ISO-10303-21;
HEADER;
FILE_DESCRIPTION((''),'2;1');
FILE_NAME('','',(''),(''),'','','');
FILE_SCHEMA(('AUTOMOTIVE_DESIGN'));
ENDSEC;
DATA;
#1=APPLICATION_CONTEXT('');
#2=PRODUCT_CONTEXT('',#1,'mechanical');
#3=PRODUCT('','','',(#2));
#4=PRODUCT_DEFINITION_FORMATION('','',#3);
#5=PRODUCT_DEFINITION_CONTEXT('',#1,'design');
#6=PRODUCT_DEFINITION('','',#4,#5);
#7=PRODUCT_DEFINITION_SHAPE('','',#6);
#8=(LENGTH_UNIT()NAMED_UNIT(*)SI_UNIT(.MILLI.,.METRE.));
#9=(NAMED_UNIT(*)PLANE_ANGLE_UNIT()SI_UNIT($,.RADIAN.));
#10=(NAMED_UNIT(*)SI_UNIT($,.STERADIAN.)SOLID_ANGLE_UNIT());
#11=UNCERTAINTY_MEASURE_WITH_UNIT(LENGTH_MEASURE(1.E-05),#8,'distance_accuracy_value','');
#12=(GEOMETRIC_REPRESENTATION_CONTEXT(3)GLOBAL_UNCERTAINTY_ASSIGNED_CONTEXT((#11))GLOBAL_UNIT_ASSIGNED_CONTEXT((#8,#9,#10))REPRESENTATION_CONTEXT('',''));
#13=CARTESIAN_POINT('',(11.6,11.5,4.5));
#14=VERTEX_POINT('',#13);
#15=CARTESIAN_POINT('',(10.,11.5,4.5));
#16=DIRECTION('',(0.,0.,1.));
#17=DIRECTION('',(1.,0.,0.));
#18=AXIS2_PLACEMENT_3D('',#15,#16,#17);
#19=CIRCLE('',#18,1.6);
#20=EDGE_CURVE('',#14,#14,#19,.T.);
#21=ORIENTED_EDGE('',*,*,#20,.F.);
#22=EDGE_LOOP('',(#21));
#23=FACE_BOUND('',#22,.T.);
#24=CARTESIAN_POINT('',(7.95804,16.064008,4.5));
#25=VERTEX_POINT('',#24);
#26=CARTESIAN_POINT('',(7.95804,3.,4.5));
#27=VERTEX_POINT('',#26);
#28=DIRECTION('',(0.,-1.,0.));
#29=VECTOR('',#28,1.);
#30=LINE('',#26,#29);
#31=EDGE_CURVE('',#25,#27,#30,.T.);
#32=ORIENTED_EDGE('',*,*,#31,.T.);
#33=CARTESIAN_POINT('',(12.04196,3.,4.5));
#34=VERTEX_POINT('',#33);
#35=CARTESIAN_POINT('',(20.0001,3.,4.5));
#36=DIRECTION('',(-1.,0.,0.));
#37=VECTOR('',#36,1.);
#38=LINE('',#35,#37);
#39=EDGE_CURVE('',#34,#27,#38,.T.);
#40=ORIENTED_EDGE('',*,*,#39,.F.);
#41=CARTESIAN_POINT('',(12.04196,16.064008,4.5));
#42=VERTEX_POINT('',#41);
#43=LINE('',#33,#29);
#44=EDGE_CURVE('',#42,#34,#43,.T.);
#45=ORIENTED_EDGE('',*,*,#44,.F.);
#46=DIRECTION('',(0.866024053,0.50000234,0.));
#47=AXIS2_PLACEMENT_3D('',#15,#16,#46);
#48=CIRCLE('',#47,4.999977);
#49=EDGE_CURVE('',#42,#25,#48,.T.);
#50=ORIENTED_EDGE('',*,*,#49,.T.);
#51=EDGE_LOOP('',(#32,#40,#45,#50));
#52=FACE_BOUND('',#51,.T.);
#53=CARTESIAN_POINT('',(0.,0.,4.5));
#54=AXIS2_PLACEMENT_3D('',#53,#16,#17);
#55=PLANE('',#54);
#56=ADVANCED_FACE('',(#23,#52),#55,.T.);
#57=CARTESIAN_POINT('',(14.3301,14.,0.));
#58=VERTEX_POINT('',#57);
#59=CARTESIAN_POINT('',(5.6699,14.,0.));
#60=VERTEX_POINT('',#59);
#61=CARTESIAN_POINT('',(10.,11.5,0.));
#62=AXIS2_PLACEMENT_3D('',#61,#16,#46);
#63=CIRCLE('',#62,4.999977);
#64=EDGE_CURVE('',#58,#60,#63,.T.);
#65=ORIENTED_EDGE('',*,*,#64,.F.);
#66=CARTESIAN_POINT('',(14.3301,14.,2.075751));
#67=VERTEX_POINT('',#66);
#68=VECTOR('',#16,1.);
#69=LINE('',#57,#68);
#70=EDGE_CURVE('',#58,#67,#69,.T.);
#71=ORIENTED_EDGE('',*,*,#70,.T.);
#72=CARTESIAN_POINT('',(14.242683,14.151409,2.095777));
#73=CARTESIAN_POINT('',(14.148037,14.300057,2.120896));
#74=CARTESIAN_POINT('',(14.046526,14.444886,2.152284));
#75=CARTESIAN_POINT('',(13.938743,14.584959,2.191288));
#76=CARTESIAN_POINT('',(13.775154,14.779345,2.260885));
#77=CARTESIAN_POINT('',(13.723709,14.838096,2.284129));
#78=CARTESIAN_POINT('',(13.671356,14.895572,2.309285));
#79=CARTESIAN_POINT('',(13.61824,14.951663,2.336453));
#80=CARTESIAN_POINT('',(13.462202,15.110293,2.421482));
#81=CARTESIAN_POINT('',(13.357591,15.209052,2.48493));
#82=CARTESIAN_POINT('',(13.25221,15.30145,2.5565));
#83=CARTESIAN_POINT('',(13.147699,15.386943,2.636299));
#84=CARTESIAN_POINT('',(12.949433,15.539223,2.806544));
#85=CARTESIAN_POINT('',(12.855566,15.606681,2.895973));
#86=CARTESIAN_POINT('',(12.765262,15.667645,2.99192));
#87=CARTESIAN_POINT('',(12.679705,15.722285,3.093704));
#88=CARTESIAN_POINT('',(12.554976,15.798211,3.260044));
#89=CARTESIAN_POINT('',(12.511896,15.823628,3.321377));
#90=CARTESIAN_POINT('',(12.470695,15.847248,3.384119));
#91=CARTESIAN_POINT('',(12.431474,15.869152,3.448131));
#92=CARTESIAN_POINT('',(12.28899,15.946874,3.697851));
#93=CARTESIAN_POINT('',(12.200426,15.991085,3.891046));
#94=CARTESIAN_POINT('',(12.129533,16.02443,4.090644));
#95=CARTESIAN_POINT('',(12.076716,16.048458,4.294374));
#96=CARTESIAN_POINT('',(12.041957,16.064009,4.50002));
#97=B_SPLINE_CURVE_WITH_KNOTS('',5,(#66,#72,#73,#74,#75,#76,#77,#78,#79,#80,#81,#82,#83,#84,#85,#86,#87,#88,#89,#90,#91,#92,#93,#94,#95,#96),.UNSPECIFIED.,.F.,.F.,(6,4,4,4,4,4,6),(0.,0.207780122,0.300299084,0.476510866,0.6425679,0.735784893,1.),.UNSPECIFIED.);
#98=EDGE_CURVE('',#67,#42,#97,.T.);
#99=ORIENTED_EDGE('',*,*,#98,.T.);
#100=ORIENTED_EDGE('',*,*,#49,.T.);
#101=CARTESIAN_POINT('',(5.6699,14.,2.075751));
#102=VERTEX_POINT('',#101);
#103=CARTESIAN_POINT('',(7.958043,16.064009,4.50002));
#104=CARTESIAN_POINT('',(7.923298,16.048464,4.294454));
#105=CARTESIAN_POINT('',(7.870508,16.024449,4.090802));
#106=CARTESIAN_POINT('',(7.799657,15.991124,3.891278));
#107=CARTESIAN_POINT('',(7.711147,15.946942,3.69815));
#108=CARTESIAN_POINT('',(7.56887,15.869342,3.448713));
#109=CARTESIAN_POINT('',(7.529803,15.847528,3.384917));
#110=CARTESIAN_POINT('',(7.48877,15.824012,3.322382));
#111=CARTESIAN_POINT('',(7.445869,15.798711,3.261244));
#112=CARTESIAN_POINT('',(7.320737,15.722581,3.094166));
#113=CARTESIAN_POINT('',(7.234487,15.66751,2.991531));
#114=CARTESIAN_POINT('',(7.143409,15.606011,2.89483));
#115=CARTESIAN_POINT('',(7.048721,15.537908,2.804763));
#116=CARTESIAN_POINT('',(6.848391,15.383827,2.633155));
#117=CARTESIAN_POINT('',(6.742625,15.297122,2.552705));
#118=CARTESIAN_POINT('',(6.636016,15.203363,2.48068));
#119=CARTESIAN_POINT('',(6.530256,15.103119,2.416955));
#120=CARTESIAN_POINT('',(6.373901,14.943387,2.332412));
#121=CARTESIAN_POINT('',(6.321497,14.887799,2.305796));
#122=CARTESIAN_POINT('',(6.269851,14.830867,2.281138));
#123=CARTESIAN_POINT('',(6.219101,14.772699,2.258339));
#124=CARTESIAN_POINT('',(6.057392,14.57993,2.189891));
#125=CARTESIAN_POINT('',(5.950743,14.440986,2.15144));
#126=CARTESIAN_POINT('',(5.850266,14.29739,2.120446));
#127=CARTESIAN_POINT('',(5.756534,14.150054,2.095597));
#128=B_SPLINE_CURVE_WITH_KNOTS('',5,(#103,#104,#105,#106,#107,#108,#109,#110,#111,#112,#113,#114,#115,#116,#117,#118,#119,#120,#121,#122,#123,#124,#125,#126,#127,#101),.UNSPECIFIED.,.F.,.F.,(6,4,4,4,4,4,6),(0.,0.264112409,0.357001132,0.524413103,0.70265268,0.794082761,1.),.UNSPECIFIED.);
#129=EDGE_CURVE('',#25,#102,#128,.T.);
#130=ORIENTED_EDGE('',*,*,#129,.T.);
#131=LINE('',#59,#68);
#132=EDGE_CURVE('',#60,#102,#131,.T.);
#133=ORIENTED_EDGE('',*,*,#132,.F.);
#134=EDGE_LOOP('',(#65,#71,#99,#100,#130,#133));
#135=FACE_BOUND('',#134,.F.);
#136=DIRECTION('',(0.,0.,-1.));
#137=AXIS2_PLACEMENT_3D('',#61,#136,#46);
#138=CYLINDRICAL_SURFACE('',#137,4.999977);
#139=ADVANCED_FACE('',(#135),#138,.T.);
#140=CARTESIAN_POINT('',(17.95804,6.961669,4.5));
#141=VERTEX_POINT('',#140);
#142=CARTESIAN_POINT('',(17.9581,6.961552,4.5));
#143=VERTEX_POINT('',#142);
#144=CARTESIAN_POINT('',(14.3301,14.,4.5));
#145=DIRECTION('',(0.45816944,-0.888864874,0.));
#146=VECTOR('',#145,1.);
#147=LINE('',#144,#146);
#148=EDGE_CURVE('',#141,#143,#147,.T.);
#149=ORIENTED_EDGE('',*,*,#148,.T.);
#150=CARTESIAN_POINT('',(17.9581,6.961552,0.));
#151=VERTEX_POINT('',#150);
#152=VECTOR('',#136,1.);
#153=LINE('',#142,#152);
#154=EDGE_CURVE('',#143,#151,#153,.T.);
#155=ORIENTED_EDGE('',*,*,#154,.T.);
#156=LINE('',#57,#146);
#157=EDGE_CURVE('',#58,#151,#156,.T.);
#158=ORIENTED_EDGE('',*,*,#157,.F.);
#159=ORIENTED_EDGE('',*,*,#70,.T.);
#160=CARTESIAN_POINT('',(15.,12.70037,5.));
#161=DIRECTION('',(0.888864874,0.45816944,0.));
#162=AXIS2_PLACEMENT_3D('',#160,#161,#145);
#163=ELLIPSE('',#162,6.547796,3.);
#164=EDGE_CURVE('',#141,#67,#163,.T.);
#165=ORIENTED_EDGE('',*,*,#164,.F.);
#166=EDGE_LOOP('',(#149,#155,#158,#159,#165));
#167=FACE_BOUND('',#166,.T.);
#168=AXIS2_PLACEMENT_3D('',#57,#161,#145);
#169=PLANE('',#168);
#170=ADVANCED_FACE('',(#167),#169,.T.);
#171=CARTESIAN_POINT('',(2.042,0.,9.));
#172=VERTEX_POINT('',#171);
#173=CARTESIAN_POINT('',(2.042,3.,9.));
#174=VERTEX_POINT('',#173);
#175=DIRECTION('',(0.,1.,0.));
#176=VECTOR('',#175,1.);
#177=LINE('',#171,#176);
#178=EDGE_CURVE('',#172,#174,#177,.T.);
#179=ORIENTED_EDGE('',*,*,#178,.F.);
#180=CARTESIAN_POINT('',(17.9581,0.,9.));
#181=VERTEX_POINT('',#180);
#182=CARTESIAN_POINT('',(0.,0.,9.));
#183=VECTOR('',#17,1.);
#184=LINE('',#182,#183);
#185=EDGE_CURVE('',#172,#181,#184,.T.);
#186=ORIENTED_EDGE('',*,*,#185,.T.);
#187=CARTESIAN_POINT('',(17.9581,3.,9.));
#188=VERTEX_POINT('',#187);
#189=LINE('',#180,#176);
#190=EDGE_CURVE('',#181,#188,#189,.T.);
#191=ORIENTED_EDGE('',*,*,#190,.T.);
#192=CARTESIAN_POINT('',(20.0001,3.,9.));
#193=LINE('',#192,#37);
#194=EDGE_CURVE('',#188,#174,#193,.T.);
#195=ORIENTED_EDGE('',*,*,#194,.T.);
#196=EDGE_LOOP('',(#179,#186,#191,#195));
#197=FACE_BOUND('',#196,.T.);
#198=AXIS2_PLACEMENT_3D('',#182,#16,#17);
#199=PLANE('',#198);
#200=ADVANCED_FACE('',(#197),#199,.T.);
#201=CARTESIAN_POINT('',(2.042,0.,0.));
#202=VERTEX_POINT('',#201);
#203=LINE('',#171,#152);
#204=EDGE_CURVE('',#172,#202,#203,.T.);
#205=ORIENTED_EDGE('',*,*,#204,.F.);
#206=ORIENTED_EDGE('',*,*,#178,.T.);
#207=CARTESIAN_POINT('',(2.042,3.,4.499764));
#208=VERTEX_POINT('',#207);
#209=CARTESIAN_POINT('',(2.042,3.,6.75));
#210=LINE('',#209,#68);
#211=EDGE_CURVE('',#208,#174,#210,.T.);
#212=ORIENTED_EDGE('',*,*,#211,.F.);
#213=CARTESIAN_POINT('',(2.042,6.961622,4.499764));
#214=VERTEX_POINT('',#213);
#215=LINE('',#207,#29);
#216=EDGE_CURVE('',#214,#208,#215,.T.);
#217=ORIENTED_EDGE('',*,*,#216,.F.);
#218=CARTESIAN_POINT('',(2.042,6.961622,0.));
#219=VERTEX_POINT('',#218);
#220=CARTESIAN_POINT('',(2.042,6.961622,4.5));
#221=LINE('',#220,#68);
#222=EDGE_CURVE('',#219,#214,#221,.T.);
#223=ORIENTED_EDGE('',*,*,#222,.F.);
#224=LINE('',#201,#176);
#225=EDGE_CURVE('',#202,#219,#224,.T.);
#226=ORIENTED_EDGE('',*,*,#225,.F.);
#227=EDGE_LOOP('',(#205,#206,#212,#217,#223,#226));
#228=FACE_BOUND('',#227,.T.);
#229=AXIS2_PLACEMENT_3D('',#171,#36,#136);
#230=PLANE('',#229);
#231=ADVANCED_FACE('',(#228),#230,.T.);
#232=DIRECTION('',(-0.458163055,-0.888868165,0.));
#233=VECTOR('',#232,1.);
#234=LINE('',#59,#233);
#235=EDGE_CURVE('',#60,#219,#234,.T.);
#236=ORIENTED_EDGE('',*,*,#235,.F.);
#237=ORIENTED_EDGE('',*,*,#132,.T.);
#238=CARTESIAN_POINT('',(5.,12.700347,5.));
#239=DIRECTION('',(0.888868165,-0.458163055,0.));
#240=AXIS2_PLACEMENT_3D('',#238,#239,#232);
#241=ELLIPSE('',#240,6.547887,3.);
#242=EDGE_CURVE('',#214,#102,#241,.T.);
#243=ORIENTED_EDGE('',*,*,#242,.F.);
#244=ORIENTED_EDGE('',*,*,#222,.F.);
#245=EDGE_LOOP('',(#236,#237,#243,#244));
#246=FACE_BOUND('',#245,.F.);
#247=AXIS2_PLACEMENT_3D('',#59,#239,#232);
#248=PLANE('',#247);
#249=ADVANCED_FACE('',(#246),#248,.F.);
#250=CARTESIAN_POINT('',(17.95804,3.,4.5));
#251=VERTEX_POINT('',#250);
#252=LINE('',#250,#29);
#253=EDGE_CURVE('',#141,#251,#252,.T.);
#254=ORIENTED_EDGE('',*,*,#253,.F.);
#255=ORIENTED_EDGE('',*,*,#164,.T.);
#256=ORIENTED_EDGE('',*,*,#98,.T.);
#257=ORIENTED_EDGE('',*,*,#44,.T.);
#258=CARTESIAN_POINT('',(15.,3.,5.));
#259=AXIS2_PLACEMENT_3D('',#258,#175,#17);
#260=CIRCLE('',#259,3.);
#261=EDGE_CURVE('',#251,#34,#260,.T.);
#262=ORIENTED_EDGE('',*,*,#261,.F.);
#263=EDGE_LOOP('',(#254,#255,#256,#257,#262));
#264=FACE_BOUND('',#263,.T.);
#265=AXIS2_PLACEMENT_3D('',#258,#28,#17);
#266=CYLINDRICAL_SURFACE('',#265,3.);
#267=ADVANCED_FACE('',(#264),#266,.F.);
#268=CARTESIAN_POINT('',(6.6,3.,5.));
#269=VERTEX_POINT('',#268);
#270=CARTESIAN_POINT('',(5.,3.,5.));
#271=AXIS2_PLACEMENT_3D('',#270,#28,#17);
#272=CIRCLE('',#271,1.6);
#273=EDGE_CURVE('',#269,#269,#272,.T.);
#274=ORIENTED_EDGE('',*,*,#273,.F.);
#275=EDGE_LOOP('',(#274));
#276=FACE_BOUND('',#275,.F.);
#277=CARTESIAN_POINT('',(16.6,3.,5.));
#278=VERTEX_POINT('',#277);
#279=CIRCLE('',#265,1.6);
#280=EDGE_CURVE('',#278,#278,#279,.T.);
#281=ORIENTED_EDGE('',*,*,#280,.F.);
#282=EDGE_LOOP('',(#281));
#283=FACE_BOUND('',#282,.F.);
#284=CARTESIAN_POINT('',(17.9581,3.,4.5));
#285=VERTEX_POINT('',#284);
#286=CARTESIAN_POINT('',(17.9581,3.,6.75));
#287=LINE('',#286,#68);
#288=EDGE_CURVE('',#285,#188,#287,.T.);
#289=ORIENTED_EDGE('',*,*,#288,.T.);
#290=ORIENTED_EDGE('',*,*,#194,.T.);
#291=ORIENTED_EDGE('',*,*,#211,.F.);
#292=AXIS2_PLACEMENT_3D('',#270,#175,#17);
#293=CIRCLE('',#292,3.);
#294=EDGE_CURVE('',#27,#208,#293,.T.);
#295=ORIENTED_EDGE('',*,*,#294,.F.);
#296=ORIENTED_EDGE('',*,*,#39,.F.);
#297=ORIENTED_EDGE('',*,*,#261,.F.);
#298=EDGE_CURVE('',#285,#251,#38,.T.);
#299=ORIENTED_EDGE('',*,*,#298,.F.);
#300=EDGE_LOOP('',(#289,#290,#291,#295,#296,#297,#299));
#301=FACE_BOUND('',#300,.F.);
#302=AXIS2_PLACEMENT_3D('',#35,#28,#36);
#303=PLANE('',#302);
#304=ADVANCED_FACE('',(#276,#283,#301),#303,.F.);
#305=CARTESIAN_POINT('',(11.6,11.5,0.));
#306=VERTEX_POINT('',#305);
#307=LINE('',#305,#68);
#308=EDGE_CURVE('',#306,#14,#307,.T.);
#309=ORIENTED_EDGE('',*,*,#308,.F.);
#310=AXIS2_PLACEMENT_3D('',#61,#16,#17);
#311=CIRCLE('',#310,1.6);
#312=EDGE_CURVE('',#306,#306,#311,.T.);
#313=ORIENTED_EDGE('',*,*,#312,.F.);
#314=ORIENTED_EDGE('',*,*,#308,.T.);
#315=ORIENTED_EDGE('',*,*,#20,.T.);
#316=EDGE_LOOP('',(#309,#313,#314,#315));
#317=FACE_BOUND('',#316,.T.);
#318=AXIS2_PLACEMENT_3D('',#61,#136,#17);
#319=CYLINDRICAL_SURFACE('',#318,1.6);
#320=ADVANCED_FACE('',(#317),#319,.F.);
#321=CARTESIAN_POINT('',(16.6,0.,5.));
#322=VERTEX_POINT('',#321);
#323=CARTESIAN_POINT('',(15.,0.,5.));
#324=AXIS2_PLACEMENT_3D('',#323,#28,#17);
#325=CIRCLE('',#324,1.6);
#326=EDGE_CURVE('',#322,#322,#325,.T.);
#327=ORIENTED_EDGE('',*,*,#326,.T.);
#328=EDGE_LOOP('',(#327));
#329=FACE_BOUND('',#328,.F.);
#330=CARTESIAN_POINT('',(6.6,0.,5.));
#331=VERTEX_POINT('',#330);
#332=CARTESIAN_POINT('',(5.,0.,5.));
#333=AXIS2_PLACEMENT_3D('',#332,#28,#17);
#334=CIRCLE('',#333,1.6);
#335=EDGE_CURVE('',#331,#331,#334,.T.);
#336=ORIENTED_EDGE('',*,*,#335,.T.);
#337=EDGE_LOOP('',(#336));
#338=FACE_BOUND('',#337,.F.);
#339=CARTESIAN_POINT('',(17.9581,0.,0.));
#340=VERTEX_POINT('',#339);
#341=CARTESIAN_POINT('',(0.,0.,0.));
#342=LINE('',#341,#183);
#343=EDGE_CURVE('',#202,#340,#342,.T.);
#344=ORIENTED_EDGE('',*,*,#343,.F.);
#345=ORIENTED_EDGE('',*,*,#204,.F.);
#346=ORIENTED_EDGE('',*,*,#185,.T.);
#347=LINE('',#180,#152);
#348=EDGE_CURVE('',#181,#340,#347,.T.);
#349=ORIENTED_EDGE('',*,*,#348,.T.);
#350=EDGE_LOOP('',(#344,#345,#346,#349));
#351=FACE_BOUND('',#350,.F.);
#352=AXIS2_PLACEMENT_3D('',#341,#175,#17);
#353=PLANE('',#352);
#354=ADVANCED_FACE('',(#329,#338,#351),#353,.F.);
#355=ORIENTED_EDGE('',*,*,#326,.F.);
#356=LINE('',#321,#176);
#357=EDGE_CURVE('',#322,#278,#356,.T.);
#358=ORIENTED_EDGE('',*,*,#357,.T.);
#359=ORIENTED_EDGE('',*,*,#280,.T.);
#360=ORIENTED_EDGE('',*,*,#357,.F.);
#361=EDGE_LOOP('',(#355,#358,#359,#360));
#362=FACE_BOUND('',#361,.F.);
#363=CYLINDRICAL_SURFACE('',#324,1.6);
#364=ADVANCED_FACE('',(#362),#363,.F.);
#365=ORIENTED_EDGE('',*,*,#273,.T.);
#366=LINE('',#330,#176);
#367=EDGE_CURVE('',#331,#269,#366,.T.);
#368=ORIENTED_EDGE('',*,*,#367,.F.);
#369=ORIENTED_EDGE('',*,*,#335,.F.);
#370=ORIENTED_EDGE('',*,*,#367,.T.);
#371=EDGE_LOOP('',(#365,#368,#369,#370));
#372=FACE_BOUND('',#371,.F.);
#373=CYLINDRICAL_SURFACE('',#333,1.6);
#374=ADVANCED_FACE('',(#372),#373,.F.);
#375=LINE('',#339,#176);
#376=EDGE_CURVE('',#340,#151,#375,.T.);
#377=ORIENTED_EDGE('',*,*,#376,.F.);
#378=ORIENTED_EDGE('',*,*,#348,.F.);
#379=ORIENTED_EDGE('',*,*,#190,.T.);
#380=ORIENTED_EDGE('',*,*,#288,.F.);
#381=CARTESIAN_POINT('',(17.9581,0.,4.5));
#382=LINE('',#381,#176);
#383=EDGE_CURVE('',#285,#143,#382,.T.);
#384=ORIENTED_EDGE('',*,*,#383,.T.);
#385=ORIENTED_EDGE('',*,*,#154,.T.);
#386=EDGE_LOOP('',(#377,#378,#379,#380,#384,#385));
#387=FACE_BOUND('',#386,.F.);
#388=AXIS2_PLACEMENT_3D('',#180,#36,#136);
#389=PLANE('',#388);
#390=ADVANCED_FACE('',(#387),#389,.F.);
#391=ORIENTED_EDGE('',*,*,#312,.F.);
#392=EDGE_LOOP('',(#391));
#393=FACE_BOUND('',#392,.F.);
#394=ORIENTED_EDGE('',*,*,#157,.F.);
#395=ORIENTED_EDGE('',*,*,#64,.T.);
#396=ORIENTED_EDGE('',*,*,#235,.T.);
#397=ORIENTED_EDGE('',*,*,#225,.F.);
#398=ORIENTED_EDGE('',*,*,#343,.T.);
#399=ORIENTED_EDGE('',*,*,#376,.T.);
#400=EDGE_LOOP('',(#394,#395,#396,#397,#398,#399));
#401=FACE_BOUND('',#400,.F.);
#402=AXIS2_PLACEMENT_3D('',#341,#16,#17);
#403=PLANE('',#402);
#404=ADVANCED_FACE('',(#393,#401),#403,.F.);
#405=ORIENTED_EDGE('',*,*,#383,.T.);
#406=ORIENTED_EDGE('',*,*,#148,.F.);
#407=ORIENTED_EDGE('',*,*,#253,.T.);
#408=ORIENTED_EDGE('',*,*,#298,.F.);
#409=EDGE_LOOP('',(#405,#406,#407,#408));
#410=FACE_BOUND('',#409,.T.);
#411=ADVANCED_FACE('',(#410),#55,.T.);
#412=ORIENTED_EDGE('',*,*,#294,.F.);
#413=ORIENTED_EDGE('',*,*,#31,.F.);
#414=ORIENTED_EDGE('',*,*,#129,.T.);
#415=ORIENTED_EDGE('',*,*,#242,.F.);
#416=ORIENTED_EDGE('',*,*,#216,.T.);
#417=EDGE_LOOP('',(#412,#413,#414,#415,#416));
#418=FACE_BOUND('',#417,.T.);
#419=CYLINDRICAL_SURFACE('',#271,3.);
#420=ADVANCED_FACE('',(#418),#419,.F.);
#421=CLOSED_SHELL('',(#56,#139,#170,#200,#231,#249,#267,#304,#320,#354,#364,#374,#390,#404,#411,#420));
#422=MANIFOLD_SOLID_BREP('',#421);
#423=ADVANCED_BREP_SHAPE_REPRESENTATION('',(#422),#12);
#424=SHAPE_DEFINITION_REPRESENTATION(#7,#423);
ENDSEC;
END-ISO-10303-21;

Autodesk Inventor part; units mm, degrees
ref_plane "YZ Plane" through (0, 0, 0) normal (1, 0, 0) x (0, 1, 0)
ref_plane "XZ Plane" through (0, 0, 0) normal (0, 1, 0) x (-1, 0, 0)
ref_plane "XY Plane" through (0, 0, 0) normal (0, 0, 1) x (1, 0, 0)
sketch "Sketch1" plane through (0, 0, 0) normal (0, 0, 1) x (1, 0, 0)
  circle A0 centre (10, 11.5) radius 1.6
  line L0 (0, 0) -> (20.0001, 0)
  line L1 (0, 0) -> (0, 3)
  line L2 (20.0001, 0) -> (20.0001, 3)
  line L3 (0, 3) -> (16, 3) construction
  line L4 (20.0001, 3) -> (36.0001, 3) construction
  arc A1 (14.3301, 14) -> (5.6699, 14) centre (10, 11.5) ccw
  line L5 (10, 11.5) -> (5.6699, 14) construction
  line L6 (10, 11.5) -> (14.3301, 14) construction
  line L7 (5.6699, 14) -> (0, 3)
  line L8 (14.3301, 14) -> (20.0001, 3)
  dimension "d17" = 3
  dimension "d18" = 3
  dimension "d19" = 11.5
  dimension "d23" = 90
  dimension "d24" = 90
  dimension "d25" = 10
  dimension "d31" = 5
  dimension "d32" = 120
  dimension "d33" = 14
extrude "Extrusion1" add sketch "Sketch1" along normal blind 4.5
sketch "Sketch4" plane through (0, 0, 4.5) normal (0, 0, 1) x (1, 0, 0)
  line L0 (0, 3) -> (0, 0) projected
  line L1 (20.0001, 0) -> (20.0001, 3) projected
  line L2 (0, 0) -> (20.0001, 0)
  line L3 (20.0001, 0) -> (20.0001, 3)
  line L4 (3.884, 22.9404) -> (-0.9789, 3.2417) projected
  line L5 (20.0001, 3) -> (0, 3)
  line L6 (0, 3) -> (0, 0)
extrude "Extrusion2" add sketch "Sketch4" along normal blind 4.5
sketch "Sketch5" plane through (0, 0, 0) normal (0, -1, 0) x (1, 0, 0)
  circle A0 centre (5, 5) radius 1.6
  circle A1 centre (15, 5) radius 1.6
  line L0 (0, 0) -> (20.0001, 0) projected
  dimension "d13" = 3.2
  dimension "d14" = 3.2
  dimension "d38" = 5
  dimension "d39" = 5
extrude "Extrusion3" cut sketch "Sketch5" against normal through all
sketch "Sketch6" plane through (0, 3, 9) normal (0, 1, 0) x (1, 0, 0)
  circle A0 centre (5, 4) radius 1.6 projected
  circle A1 centre (5, 4) radius 3
  circle A2 centre (15, 4) radius 1.6 projected
  circle A3 centre (15, 4) radius 3
  line L0 (0, 9) -> (20.0001, 9) projected
  dimension "d34" = 6
  dimension "d35" = 6
  dimension "d40" = 5
  dimension "d41" = 5
extrude "Extrusion4" cut sketch "Sketch6" along normal up to next
sketch "Sketch7" plane through (0, 0, 0) normal (0, -1, 0) x (1, 0, 0)
  line L0 (0, 0) -> (0, 9) projected
  line L1 (2.042, 0) -> (0, 0)
  line L2 (0, 0) -> (0, 9)
  line L3 (0, 9) -> (2.042, 9)
  line L4 (2.042, 9) -> (2.042, 0)
extrude "Extrusion5" cut sketch "Sketch7" against normal up to next
sketch "Sketch8" plane through (20.0001, 0, 0) normal (0, -1, 0) x (1, 0, 0)
  line L0 (0, 4.5) -> (0, 9) projected
  line L1 (-2.042, 0) -> (0, 0)
  line L2 (0, 0) -> (0, 9)
  line L3 (0, 9) -> (-2.042, 9)
  line L4 (-2.042, 9) -> (-2.042, 0)
  point P0 (-20.0001, 0)
extrude "Extrusion6" cut sketch "Sketch8" against normal up to next
properties part number "lower_deck_shaft_mount_for_AD"
